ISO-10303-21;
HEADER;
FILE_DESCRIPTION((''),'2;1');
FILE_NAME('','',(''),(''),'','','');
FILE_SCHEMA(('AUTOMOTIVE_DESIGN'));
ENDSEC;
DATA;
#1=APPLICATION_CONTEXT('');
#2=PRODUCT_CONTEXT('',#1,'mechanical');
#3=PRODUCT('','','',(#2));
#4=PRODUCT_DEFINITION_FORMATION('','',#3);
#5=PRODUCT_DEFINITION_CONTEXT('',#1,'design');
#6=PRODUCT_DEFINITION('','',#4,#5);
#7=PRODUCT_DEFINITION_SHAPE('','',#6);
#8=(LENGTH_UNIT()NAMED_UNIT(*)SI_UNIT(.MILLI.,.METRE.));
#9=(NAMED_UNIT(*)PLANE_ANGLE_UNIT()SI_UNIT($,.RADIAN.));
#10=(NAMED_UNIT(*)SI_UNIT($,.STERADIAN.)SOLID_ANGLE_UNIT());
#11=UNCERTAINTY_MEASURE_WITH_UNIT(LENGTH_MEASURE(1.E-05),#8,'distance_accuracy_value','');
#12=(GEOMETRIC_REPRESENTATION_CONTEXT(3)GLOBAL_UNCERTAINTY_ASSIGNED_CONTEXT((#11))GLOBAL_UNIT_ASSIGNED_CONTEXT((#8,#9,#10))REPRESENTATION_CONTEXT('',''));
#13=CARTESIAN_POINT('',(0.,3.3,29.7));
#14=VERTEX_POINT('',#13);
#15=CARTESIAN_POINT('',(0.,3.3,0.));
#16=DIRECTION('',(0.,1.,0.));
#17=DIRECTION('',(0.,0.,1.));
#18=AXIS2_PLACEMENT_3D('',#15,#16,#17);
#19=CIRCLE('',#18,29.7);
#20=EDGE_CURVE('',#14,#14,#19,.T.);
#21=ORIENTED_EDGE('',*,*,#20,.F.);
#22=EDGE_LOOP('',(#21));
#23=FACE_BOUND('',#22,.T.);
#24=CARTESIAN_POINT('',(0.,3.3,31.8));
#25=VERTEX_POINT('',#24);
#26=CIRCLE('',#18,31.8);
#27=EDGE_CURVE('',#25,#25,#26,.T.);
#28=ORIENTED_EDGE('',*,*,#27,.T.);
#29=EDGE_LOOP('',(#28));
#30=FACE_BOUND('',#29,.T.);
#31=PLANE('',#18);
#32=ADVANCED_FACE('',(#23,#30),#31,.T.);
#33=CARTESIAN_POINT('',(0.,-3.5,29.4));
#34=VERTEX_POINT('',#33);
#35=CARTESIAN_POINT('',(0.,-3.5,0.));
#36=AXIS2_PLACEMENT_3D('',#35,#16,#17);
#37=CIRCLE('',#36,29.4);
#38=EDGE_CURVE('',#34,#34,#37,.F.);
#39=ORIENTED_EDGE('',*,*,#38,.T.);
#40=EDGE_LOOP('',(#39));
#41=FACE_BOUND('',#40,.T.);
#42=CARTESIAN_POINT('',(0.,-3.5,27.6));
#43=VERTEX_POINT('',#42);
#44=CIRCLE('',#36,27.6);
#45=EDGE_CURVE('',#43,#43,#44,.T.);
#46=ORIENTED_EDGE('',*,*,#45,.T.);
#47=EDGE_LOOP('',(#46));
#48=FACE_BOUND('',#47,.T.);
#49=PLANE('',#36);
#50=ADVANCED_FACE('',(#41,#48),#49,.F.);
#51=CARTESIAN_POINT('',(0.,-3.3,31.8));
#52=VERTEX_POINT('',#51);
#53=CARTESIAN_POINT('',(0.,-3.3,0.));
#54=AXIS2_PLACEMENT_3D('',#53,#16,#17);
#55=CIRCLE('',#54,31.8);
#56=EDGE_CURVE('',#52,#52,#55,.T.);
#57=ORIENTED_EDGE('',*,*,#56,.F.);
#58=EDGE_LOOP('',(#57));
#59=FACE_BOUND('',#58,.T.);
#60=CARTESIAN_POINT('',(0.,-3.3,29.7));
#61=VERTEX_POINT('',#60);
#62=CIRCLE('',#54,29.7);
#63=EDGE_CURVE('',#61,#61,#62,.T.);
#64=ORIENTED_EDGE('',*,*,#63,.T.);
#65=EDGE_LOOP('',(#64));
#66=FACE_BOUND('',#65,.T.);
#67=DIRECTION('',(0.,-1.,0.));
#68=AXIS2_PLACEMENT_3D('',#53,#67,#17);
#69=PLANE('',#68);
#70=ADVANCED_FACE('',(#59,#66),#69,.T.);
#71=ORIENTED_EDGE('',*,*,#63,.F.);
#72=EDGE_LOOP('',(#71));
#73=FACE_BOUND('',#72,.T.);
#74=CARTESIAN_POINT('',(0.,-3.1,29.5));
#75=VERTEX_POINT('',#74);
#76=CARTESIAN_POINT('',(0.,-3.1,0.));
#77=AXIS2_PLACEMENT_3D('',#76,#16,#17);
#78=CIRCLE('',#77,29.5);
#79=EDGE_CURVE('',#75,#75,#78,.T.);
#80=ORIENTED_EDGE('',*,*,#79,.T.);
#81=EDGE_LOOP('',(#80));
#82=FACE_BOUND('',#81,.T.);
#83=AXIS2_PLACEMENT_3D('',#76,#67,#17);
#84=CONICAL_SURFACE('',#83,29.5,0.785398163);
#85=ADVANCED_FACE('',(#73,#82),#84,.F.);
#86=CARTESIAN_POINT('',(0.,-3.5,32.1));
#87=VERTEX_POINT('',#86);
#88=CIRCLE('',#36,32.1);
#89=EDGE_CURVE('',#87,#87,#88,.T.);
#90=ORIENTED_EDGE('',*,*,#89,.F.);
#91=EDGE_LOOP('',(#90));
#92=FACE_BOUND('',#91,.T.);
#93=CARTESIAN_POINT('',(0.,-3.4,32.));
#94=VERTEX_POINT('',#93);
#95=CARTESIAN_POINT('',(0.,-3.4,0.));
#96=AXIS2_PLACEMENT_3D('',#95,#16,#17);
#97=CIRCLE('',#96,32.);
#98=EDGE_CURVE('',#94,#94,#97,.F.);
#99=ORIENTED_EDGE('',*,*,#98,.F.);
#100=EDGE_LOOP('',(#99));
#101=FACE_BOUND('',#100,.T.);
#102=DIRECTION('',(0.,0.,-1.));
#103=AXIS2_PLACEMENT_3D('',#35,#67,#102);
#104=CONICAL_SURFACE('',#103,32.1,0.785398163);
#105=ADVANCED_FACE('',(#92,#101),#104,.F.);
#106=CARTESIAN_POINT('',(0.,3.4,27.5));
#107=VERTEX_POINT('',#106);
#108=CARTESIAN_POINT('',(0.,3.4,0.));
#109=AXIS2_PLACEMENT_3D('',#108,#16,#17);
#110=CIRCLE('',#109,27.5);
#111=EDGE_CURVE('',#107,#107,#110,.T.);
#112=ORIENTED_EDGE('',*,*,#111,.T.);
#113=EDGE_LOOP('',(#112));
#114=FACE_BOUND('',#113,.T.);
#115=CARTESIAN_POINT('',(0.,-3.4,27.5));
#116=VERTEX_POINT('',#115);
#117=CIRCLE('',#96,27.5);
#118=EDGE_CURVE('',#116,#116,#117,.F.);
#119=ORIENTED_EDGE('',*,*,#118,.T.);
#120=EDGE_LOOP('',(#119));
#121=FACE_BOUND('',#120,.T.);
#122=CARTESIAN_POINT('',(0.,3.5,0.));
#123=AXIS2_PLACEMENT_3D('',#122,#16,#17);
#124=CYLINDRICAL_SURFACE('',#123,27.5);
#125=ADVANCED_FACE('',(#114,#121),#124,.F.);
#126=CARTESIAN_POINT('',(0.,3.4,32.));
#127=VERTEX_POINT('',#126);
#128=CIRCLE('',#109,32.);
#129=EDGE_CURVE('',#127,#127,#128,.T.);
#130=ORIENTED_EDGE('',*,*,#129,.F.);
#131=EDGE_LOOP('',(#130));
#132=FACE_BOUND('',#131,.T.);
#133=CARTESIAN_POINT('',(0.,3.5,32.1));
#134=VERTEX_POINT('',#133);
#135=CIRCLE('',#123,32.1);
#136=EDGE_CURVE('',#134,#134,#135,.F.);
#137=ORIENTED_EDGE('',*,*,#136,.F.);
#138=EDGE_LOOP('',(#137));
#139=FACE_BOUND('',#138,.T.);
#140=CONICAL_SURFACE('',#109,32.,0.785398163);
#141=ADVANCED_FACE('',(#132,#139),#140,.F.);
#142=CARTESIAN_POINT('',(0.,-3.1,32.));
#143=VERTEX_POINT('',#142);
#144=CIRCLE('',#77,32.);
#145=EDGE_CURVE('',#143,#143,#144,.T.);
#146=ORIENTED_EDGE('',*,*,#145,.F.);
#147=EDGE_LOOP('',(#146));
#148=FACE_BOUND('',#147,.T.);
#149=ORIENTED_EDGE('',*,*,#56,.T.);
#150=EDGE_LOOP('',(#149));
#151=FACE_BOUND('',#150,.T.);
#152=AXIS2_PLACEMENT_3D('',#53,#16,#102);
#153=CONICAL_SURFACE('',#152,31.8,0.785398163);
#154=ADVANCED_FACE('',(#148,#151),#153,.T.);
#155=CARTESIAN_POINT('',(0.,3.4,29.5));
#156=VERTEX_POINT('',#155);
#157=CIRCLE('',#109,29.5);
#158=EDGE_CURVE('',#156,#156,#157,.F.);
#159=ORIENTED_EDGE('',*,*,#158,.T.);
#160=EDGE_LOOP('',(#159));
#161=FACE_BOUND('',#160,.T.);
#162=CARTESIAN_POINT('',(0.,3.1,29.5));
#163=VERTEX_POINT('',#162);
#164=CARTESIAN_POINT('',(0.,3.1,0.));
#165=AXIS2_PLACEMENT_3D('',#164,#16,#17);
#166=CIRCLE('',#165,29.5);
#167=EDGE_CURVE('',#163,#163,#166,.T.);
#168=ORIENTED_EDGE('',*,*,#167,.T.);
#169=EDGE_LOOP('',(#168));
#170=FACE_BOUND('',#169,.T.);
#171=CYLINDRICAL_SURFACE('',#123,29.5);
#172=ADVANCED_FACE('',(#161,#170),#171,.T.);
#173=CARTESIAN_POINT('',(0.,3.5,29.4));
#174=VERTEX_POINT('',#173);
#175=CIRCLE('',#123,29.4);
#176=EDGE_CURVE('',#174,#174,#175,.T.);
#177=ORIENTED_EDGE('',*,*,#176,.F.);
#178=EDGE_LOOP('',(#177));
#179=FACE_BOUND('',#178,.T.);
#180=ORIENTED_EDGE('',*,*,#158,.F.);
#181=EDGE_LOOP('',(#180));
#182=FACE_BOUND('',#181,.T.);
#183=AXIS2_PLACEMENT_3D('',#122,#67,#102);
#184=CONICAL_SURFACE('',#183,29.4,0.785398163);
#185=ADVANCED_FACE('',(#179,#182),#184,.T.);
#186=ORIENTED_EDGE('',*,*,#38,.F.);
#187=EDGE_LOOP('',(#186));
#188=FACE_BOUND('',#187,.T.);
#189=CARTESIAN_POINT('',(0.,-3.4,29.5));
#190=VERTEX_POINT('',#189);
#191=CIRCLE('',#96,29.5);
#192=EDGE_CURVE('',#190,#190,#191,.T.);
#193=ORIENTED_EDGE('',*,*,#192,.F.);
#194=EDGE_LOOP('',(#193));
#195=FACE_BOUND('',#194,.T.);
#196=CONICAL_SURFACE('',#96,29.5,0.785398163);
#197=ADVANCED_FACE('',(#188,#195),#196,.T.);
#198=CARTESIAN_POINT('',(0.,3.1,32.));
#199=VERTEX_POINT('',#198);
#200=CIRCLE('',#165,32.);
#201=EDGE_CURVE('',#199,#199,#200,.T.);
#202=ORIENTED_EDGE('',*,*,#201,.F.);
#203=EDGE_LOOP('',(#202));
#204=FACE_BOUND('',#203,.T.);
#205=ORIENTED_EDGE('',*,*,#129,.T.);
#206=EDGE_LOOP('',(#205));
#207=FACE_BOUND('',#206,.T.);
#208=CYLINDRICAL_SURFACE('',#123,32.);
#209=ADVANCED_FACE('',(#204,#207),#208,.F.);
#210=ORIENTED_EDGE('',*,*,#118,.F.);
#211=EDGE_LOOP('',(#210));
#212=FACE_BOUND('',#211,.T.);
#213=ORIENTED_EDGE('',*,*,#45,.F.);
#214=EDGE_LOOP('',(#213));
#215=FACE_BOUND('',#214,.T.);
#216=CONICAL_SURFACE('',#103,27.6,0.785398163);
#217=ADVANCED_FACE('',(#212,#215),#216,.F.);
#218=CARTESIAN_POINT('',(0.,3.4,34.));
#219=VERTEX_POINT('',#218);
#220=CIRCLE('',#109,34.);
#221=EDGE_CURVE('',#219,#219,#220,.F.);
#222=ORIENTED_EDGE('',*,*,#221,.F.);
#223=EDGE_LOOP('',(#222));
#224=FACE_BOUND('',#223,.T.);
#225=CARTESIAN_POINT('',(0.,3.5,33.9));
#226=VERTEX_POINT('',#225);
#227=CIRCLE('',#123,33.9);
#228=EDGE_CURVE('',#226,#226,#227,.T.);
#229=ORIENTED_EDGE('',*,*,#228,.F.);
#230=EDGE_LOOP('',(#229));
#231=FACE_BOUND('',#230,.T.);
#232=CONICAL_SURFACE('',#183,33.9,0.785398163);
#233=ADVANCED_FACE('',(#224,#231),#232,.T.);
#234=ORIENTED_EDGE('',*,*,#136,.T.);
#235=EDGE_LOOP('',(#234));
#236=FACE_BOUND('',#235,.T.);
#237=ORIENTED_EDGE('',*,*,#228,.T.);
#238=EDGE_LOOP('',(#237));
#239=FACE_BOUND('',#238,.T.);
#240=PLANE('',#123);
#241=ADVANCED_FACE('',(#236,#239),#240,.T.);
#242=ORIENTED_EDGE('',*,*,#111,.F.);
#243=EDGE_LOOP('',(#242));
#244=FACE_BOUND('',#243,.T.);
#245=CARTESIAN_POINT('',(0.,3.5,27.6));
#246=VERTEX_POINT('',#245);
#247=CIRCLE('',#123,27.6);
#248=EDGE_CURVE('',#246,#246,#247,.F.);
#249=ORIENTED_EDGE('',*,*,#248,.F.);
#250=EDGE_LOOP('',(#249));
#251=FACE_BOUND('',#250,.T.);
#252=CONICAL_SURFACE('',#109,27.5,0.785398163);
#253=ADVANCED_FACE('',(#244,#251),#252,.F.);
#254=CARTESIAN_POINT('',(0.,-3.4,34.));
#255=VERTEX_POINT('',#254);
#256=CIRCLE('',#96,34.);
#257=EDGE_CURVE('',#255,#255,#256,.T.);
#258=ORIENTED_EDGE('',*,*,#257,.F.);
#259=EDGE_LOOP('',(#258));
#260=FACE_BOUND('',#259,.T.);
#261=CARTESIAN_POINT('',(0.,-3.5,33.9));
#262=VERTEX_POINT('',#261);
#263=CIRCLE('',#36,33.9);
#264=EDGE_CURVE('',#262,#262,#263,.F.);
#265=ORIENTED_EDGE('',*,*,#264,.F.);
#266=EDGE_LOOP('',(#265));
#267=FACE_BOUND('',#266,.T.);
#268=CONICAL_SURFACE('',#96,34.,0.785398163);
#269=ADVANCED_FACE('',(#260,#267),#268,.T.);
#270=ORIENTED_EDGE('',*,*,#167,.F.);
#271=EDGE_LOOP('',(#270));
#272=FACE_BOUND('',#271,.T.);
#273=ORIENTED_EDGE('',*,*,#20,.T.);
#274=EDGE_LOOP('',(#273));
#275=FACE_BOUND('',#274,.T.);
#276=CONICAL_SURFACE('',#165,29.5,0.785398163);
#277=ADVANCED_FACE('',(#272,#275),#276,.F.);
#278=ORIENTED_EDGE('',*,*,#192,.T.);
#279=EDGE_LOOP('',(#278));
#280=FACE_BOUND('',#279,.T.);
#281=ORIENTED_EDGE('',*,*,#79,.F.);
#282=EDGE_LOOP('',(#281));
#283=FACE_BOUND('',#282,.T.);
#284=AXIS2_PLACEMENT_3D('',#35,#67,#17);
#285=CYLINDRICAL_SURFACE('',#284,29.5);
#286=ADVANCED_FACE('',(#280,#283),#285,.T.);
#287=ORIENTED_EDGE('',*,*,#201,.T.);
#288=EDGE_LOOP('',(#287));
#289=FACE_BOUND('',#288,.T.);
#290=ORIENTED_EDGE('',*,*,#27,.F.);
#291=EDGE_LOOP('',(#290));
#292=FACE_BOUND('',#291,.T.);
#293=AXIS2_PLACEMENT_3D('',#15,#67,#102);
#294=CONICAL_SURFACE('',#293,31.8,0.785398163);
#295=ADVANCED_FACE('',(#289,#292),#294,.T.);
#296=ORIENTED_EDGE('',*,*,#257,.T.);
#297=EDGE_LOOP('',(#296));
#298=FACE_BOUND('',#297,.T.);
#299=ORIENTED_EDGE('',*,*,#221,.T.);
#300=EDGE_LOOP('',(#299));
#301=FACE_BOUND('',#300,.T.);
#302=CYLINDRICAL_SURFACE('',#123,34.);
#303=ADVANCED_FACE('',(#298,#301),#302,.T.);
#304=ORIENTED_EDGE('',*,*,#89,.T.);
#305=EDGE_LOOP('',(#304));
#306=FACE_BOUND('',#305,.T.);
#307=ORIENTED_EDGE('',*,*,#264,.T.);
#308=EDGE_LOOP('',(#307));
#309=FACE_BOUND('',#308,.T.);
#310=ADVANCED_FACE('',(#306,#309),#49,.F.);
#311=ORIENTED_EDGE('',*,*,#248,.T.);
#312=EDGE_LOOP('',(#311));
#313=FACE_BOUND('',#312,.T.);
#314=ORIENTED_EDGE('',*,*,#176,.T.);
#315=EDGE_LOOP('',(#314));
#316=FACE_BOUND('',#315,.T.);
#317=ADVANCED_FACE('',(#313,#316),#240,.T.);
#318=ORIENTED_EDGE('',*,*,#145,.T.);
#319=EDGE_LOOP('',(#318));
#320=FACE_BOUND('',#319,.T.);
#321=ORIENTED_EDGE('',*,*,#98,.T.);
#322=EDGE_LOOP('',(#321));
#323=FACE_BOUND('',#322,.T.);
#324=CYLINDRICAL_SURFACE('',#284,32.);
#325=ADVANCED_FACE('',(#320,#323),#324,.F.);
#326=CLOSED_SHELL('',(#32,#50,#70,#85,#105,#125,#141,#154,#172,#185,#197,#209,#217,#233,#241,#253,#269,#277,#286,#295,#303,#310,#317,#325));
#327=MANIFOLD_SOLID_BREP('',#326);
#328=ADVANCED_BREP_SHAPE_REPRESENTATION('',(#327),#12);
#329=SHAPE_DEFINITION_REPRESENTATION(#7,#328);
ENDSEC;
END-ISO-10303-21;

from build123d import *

# Parameters (mm, degrees)
SKETCH1_W     = 6.5
SKETCH1_H     = 7
CHAMFER1_SIZE = 0.1


with BuildPart() as part:
    # Sketch1 → Revolve1 (revolve)
    with BuildSketch(Plane(origin=(0, 0, 0), x_dir=(0, 0, -1), z_dir=(1, 0, 0))):
        with Locations((30.75, 0)):
            Rectangle(SKETCH1_W, SKETCH1_H)
    revolve(axis=Axis((0, 3.5, 0), (0, -1, 0)))

    # Sketch3 → Cut-Revolve2 (revolve, cut)
    with BuildSketch(Plane(origin=(0, 0, 0), x_dir=(0, 0, -1), z_dir=(1, 0, 0))):
        Polygon((31.8, 3.3), (32, 3.1), (32, 3.5), (29.5, 3.5), (29.5, 3.1), (29.7, 3.3), align=None)
    cut_revolve2 = revolve(axis=Axis((0, 3.5, 0), (0, -1, 0)), mode=Mode.SUBTRACT)

    # Mirror1: Cut-Revolve2 across plane
    add(cut_revolve2.mirror(Plane.ZX), mode=Mode.SUBTRACT)

    # Chamfer1
    chamfer1_edges = [part.edges().sort_by_distance(p)[0] for p in [
        (0, 3.5, 32),
        (0, 3.5, 29.5),
        (0, -3.5, 32),
        (0, -3.5, 29.5),
        (0, 3.5, 34),
        (0, -3.5, 34),
        (0, -3.5, 27.5),
        (0, 3.5, 27.5),
    ]]
    chamfer(chamfer1_edges, length=CHAMFER1_SIZE)


solid = part.part
